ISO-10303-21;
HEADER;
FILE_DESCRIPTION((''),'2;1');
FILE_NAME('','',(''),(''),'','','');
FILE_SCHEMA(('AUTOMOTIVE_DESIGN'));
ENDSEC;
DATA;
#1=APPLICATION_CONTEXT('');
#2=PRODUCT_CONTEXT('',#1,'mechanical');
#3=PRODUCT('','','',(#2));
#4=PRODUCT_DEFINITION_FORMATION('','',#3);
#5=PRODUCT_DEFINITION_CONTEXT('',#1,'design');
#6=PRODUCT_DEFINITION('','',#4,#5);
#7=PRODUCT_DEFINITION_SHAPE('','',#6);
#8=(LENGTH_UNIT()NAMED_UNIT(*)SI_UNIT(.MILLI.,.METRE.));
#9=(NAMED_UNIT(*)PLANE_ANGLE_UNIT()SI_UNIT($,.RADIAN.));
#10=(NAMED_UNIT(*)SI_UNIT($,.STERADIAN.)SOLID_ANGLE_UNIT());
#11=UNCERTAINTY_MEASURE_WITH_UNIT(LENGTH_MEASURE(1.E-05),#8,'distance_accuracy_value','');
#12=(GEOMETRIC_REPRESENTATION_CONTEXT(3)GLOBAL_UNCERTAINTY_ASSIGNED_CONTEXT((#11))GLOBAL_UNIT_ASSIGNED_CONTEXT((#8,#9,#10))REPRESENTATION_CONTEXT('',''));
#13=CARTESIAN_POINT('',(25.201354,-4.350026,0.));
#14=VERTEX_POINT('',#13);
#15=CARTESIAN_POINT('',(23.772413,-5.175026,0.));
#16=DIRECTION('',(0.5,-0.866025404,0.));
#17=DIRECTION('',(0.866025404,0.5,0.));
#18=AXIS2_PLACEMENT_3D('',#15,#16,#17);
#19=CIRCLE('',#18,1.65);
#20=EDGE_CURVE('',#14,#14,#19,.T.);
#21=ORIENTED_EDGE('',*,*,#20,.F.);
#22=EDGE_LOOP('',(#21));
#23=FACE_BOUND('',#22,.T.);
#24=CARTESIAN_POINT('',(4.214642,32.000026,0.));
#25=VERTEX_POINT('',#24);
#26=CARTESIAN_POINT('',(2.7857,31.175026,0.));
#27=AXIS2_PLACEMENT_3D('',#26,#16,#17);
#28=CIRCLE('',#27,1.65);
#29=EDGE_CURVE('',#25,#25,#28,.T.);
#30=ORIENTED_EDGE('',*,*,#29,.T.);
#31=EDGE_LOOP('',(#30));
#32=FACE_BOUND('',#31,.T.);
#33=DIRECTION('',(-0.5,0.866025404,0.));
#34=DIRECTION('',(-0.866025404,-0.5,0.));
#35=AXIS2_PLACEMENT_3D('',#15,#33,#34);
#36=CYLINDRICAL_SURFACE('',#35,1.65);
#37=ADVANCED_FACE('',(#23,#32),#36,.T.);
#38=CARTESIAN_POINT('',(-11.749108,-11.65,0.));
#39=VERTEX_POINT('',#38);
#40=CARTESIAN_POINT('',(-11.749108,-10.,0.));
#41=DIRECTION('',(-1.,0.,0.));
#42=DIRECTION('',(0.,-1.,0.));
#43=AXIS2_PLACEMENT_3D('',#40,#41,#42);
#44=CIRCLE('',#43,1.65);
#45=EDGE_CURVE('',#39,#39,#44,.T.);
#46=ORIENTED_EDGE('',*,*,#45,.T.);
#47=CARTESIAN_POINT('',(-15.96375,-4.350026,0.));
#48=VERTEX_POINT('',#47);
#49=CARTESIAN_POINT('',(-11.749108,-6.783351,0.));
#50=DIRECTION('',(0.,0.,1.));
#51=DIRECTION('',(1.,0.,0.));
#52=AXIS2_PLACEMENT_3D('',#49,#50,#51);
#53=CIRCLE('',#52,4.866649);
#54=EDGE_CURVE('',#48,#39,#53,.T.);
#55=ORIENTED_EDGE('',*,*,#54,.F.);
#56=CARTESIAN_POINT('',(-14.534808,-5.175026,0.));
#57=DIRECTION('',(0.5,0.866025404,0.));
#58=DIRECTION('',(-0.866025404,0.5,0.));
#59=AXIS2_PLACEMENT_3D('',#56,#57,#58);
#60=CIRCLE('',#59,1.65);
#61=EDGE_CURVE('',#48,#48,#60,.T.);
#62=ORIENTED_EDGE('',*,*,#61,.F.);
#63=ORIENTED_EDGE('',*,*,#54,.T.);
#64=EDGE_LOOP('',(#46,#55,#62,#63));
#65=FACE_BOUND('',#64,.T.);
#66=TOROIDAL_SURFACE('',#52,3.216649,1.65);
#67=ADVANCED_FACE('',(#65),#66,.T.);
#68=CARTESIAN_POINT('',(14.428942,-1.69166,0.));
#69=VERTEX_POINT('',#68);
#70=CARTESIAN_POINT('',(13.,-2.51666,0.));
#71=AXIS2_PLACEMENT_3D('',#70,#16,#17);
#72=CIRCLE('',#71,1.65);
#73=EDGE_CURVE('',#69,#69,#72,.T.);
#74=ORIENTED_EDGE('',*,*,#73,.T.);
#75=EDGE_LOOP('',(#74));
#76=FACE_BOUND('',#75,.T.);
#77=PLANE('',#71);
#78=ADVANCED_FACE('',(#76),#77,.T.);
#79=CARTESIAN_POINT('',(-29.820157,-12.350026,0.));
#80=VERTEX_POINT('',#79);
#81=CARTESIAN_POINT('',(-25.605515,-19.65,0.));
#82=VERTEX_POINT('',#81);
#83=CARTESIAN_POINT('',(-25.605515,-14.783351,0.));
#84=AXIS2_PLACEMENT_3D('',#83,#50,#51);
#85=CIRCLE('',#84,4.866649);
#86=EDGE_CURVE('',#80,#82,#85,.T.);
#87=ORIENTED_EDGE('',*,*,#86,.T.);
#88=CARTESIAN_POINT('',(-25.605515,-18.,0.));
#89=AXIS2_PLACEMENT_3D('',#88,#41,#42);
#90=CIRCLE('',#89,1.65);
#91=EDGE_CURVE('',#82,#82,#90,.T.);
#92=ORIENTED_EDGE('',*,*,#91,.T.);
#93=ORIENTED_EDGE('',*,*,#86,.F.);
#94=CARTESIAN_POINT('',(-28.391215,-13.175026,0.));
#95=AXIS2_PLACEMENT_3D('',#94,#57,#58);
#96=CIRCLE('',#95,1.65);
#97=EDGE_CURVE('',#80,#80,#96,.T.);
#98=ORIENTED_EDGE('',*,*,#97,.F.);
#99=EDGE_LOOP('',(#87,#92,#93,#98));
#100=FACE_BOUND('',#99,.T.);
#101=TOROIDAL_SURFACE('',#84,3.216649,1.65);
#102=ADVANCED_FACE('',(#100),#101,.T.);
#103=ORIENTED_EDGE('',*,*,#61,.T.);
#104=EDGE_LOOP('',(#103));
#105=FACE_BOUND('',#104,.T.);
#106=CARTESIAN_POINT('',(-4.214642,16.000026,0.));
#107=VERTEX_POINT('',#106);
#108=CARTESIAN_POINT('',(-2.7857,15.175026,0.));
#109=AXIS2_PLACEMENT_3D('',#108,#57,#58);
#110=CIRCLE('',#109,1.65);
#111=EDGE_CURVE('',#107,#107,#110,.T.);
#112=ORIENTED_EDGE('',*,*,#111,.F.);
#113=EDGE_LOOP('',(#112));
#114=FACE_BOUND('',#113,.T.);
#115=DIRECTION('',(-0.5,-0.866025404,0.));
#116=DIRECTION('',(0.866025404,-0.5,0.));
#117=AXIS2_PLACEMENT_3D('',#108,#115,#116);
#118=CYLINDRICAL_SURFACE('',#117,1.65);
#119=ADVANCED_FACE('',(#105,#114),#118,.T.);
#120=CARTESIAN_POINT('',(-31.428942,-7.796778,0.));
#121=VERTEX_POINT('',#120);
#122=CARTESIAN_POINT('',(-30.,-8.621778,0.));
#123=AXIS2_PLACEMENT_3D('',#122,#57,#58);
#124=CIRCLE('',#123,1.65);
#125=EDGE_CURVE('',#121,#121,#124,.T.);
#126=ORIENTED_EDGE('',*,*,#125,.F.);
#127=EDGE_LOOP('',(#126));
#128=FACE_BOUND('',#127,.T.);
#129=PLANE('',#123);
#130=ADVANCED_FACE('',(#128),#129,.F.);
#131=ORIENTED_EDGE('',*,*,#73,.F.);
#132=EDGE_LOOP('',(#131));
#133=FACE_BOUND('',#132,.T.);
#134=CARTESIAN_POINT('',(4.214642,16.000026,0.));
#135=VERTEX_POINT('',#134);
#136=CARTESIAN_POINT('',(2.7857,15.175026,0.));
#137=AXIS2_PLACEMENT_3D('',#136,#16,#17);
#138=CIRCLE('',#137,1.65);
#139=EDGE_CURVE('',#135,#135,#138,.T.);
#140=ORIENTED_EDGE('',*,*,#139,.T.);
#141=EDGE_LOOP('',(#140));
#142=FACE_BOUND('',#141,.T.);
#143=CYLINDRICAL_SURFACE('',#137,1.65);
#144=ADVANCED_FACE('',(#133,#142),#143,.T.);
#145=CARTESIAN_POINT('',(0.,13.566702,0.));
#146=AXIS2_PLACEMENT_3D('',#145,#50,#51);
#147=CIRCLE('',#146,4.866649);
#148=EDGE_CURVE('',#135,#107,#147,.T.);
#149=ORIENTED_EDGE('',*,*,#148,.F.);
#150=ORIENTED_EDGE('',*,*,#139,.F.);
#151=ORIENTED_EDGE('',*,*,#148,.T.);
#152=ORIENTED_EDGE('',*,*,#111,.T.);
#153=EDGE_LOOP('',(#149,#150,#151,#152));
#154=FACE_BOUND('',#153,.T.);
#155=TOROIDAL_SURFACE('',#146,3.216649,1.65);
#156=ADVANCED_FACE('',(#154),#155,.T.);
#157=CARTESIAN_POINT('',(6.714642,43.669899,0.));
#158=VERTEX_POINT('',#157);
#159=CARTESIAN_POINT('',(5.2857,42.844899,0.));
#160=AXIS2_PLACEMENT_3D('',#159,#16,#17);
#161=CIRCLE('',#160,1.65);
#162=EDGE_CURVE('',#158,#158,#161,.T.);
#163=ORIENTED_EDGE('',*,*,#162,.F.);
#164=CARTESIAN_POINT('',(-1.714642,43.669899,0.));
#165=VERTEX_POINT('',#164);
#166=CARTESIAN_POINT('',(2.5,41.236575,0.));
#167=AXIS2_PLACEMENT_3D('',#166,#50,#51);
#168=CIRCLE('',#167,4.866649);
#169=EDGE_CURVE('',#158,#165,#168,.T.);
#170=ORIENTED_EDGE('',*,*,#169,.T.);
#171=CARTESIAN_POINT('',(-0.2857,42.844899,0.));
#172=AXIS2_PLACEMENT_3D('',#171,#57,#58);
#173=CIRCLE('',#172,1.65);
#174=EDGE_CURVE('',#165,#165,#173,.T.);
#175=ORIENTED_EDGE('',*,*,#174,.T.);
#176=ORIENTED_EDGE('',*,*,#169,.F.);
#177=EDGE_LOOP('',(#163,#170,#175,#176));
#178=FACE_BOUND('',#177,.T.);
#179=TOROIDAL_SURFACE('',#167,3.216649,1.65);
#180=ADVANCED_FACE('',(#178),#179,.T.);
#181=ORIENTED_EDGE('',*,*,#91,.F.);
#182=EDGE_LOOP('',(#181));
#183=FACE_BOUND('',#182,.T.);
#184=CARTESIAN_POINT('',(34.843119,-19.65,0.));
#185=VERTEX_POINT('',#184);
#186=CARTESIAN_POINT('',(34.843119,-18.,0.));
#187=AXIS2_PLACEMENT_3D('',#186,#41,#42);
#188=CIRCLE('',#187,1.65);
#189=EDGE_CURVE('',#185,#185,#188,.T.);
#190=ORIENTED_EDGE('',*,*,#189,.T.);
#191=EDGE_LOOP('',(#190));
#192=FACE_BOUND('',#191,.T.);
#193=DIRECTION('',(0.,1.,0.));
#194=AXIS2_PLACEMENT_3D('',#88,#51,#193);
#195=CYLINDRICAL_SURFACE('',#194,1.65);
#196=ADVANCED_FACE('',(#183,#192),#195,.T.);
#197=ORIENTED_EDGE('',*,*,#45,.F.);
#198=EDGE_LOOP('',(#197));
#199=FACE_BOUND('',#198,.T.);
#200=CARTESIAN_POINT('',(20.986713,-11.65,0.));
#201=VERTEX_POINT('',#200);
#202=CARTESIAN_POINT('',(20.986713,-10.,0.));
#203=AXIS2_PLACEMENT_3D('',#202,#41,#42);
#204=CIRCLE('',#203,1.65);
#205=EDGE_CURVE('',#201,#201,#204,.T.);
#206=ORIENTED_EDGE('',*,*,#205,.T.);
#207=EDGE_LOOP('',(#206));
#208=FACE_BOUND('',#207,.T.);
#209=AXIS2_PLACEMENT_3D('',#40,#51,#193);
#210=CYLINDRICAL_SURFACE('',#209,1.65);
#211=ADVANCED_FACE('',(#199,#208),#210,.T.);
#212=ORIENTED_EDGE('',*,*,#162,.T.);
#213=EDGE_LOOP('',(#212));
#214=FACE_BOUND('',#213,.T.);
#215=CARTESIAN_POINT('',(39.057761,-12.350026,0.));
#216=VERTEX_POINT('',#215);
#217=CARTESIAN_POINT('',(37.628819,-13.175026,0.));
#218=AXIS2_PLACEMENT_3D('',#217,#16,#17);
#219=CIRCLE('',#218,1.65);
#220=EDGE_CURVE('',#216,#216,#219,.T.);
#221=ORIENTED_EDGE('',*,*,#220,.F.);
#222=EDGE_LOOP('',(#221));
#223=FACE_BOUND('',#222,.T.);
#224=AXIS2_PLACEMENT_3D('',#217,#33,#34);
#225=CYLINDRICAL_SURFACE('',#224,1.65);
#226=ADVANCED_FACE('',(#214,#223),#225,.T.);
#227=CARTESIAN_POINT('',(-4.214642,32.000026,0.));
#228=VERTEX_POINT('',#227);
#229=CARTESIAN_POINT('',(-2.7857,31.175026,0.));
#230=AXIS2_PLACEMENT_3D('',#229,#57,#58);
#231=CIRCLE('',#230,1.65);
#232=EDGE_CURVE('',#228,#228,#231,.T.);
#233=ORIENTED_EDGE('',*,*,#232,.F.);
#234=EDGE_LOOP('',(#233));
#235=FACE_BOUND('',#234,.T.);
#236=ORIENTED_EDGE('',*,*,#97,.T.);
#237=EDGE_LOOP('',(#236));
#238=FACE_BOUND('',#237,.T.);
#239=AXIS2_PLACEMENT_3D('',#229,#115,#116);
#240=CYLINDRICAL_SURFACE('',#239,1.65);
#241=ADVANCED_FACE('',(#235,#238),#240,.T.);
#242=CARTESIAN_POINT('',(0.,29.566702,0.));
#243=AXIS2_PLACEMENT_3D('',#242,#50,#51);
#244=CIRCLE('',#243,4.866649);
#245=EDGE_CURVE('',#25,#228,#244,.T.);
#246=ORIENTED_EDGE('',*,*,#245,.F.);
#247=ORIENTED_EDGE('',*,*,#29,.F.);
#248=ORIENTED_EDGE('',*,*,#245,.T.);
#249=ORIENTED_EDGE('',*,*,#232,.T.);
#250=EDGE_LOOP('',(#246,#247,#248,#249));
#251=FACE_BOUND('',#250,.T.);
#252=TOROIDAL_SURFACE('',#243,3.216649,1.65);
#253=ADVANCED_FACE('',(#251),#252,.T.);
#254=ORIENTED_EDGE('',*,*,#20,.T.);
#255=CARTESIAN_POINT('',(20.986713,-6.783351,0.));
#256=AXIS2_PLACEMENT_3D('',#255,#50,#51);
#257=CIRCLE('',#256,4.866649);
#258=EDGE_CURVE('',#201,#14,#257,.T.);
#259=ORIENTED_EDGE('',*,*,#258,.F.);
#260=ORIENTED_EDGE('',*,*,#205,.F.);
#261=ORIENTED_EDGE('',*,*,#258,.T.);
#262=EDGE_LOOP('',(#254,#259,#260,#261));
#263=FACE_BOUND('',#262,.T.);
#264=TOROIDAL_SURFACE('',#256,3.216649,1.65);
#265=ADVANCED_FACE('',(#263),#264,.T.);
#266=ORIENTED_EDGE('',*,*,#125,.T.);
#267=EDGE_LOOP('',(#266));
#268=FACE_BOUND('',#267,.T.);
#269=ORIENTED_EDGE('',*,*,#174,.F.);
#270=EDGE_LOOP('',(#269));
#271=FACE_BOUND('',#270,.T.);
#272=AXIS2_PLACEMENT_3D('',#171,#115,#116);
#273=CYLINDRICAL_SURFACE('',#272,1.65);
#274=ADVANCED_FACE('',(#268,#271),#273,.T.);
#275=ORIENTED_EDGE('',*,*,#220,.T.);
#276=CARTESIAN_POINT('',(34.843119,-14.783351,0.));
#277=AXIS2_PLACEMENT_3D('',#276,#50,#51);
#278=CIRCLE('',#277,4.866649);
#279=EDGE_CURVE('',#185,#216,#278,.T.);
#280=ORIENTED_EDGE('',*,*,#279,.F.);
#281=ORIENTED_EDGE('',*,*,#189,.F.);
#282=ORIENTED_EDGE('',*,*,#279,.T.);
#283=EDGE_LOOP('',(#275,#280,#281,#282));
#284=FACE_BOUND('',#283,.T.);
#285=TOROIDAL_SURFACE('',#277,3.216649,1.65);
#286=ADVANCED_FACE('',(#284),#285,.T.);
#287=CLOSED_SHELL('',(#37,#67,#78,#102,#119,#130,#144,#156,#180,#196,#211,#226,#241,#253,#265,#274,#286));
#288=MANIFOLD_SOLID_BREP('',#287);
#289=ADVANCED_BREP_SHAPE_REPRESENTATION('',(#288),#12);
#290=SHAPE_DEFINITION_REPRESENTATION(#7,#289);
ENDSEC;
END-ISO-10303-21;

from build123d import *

# Parameters (mm, degrees)
SKETCH_3_R = 1.65


with BuildPart() as part:
    # По траектории1: sweep along a path in Эскиз2
    with BuildLine(Plane.XY) as sweep_1_path:
        Line((13, -2.516660498), (2.785699852, 15.175026322))
        ThreePointArc((2.785699852, 15.175026322), (0, 16.783350881), (-2.785699852, 15.175026322))
        Line((-2.785699852, 15.175026322), (-14.534808224, -5.175026322))
        ThreePointArc((-14.534808224, -5.175026322), (-14.534808224, -8.391675441), (-11.749108372, -10))
        Line((-11.749108372, -10), (20.986712679, -10))
        ThreePointArc((20.986712679, -10), (23.772412531, -8.391675441), (23.772412531, -5.175026322))
        Line((23.772412531, -5.175026322), (2.785699852, 31.175026322))
        ThreePointArc((2.785699852, 31.175026322), (0, 32.783350881), (-2.785699852, 31.175026322))
        Line((-2.785699852, 31.175026322), (-28.391214684, -13.175026322))
        ThreePointArc((-28.391214684, -13.175026322), (-28.391214684, -16.391675441), (-25.605514832, -18))
        Line((-25.605514832, -18), (34.843119139, -18))
        ThreePointArc((34.843119139, -18), (37.628818991, -16.391675441), (37.628818991, -13.175026322))
        Line((37.628818991, -13.175026322), (5.285699852, 42.844899303))
        ThreePointArc((5.285699852, 42.844899303), (2.5, 44.453223862), (-0.285699852, 42.844899303))
        Line((-0.285699852, 42.844899303), (-30, -8.621778265))
    # Эскиз3 → По траектории1 (sweep)
    with BuildSketch(Plane(origin=(13, -2.516660498, 0), x_dir=(-0.8660254037844386, -0.5000000000000001, 0), z_dir=(0.5000000000000001, -0.8660254037844386, 0))):
        Circle(SKETCH_3_R)
    sweep(path=sweep_1_path.line)


solid = part.part
